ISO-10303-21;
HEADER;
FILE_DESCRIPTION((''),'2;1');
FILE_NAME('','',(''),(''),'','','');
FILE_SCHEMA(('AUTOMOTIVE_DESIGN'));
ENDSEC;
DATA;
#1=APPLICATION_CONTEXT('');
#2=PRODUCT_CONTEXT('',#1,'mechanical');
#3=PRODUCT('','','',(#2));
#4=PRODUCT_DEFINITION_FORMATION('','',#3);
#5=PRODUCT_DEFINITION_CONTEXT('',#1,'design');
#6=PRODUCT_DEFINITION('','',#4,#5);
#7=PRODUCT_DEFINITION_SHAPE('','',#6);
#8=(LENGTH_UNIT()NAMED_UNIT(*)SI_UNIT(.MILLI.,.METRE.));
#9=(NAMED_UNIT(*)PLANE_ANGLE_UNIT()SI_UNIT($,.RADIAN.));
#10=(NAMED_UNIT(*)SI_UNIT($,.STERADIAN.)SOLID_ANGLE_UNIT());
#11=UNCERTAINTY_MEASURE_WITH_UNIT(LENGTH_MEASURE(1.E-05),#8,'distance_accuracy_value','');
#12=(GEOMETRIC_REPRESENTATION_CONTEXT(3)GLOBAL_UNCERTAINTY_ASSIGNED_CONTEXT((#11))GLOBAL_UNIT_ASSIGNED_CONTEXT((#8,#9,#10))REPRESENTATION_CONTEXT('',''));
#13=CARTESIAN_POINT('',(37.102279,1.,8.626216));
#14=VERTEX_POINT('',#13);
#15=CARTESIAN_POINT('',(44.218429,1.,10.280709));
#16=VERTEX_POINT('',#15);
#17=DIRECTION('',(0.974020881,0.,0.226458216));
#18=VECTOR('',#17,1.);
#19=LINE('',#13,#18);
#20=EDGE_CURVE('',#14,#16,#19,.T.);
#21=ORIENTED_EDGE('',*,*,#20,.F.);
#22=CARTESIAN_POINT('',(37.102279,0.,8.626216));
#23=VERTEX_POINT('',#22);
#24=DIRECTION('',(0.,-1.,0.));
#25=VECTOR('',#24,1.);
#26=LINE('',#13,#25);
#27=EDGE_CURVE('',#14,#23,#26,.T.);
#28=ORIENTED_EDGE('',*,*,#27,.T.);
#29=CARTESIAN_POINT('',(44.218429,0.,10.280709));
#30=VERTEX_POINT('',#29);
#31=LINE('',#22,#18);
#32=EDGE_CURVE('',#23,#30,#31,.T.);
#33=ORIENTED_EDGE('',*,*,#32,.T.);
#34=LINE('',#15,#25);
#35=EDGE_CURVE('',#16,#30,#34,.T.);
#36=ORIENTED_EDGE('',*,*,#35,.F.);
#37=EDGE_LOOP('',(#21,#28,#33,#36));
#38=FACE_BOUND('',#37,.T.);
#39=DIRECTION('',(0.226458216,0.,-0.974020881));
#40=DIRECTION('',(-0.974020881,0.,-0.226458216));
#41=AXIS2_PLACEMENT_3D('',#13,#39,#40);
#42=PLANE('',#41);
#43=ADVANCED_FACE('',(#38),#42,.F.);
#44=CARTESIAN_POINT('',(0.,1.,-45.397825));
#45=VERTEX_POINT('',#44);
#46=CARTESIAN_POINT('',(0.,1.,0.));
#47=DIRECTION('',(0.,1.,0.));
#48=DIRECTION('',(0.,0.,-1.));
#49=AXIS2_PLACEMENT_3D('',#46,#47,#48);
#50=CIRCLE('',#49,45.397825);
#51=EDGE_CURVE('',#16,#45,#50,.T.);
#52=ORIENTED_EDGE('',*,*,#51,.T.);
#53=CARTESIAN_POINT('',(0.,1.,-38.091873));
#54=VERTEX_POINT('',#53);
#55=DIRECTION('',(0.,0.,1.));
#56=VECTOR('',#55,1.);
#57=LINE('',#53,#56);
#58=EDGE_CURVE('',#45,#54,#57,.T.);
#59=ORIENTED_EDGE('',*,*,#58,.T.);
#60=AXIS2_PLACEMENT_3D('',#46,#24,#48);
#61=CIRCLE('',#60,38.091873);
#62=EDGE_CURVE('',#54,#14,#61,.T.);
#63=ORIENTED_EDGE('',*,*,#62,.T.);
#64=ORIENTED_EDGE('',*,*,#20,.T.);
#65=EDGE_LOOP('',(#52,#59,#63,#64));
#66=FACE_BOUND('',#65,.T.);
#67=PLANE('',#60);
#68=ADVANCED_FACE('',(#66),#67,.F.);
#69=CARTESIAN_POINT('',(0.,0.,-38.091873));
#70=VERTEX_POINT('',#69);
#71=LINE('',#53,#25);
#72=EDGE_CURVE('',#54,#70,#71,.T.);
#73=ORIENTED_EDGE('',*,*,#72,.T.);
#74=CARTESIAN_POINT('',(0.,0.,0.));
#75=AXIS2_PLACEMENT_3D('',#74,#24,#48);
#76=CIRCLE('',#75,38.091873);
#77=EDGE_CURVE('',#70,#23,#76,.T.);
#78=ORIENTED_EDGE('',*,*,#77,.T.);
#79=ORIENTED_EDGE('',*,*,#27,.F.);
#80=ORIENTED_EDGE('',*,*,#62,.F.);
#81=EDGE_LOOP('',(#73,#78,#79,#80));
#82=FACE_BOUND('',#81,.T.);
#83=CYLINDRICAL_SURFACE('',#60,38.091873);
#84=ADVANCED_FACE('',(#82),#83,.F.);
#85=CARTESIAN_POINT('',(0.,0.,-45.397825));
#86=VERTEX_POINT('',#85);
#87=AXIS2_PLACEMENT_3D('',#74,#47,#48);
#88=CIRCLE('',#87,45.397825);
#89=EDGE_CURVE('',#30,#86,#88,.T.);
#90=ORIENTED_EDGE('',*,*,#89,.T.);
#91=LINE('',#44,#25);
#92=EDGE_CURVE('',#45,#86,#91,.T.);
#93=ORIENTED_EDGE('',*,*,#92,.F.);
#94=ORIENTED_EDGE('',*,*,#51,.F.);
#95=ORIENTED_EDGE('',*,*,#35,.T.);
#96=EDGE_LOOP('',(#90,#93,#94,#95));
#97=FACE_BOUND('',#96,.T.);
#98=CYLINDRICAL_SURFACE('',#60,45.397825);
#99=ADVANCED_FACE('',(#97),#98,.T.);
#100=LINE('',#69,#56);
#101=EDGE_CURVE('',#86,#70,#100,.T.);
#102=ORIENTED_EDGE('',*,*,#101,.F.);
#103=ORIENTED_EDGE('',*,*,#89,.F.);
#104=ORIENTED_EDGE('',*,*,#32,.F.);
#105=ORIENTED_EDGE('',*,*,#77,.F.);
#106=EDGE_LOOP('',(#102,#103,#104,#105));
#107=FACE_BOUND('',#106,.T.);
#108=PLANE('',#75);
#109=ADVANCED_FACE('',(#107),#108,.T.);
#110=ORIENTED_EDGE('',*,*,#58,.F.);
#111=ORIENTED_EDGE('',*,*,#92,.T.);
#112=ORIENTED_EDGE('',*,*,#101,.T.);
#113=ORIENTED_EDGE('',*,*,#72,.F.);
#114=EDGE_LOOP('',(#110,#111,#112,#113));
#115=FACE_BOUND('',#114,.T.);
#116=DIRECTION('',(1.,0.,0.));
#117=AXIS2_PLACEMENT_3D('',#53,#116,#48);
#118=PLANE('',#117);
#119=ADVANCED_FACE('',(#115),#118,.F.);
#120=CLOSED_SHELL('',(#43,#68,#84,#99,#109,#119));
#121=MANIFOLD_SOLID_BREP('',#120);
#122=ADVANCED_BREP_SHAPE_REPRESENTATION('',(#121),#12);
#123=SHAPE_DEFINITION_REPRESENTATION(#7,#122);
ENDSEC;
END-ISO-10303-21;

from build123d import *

# Parameters (mm, degrees)
BOSS_EXTRUDE1_DEPTH = 1


with BuildPart() as part:
    # Sketch1 → Boss-Extrude1 (new body)
    with BuildSketch(Plane(origin=(0, 0, 0), x_dir=(1, 0, 0), z_dir=(0, 1, 0))):
        with BuildLine():
            Line((0, 38.091872526), (0, 45.397824667))
            ThreePointArc((0, 45.397824667), (35.550557818, 28.233319382), (44.218429426, -10.280709291))
            Line((44.218429426, -10.280709291), (37.102279487, -8.6262164))
            ThreePointArc((37.102279487, -8.6262164), (29.829343674, 23.689681478), (0, 38.091872526))
        make_face()
    extrude(amount=BOSS_EXTRUDE1_DEPTH)


solid = part.part
